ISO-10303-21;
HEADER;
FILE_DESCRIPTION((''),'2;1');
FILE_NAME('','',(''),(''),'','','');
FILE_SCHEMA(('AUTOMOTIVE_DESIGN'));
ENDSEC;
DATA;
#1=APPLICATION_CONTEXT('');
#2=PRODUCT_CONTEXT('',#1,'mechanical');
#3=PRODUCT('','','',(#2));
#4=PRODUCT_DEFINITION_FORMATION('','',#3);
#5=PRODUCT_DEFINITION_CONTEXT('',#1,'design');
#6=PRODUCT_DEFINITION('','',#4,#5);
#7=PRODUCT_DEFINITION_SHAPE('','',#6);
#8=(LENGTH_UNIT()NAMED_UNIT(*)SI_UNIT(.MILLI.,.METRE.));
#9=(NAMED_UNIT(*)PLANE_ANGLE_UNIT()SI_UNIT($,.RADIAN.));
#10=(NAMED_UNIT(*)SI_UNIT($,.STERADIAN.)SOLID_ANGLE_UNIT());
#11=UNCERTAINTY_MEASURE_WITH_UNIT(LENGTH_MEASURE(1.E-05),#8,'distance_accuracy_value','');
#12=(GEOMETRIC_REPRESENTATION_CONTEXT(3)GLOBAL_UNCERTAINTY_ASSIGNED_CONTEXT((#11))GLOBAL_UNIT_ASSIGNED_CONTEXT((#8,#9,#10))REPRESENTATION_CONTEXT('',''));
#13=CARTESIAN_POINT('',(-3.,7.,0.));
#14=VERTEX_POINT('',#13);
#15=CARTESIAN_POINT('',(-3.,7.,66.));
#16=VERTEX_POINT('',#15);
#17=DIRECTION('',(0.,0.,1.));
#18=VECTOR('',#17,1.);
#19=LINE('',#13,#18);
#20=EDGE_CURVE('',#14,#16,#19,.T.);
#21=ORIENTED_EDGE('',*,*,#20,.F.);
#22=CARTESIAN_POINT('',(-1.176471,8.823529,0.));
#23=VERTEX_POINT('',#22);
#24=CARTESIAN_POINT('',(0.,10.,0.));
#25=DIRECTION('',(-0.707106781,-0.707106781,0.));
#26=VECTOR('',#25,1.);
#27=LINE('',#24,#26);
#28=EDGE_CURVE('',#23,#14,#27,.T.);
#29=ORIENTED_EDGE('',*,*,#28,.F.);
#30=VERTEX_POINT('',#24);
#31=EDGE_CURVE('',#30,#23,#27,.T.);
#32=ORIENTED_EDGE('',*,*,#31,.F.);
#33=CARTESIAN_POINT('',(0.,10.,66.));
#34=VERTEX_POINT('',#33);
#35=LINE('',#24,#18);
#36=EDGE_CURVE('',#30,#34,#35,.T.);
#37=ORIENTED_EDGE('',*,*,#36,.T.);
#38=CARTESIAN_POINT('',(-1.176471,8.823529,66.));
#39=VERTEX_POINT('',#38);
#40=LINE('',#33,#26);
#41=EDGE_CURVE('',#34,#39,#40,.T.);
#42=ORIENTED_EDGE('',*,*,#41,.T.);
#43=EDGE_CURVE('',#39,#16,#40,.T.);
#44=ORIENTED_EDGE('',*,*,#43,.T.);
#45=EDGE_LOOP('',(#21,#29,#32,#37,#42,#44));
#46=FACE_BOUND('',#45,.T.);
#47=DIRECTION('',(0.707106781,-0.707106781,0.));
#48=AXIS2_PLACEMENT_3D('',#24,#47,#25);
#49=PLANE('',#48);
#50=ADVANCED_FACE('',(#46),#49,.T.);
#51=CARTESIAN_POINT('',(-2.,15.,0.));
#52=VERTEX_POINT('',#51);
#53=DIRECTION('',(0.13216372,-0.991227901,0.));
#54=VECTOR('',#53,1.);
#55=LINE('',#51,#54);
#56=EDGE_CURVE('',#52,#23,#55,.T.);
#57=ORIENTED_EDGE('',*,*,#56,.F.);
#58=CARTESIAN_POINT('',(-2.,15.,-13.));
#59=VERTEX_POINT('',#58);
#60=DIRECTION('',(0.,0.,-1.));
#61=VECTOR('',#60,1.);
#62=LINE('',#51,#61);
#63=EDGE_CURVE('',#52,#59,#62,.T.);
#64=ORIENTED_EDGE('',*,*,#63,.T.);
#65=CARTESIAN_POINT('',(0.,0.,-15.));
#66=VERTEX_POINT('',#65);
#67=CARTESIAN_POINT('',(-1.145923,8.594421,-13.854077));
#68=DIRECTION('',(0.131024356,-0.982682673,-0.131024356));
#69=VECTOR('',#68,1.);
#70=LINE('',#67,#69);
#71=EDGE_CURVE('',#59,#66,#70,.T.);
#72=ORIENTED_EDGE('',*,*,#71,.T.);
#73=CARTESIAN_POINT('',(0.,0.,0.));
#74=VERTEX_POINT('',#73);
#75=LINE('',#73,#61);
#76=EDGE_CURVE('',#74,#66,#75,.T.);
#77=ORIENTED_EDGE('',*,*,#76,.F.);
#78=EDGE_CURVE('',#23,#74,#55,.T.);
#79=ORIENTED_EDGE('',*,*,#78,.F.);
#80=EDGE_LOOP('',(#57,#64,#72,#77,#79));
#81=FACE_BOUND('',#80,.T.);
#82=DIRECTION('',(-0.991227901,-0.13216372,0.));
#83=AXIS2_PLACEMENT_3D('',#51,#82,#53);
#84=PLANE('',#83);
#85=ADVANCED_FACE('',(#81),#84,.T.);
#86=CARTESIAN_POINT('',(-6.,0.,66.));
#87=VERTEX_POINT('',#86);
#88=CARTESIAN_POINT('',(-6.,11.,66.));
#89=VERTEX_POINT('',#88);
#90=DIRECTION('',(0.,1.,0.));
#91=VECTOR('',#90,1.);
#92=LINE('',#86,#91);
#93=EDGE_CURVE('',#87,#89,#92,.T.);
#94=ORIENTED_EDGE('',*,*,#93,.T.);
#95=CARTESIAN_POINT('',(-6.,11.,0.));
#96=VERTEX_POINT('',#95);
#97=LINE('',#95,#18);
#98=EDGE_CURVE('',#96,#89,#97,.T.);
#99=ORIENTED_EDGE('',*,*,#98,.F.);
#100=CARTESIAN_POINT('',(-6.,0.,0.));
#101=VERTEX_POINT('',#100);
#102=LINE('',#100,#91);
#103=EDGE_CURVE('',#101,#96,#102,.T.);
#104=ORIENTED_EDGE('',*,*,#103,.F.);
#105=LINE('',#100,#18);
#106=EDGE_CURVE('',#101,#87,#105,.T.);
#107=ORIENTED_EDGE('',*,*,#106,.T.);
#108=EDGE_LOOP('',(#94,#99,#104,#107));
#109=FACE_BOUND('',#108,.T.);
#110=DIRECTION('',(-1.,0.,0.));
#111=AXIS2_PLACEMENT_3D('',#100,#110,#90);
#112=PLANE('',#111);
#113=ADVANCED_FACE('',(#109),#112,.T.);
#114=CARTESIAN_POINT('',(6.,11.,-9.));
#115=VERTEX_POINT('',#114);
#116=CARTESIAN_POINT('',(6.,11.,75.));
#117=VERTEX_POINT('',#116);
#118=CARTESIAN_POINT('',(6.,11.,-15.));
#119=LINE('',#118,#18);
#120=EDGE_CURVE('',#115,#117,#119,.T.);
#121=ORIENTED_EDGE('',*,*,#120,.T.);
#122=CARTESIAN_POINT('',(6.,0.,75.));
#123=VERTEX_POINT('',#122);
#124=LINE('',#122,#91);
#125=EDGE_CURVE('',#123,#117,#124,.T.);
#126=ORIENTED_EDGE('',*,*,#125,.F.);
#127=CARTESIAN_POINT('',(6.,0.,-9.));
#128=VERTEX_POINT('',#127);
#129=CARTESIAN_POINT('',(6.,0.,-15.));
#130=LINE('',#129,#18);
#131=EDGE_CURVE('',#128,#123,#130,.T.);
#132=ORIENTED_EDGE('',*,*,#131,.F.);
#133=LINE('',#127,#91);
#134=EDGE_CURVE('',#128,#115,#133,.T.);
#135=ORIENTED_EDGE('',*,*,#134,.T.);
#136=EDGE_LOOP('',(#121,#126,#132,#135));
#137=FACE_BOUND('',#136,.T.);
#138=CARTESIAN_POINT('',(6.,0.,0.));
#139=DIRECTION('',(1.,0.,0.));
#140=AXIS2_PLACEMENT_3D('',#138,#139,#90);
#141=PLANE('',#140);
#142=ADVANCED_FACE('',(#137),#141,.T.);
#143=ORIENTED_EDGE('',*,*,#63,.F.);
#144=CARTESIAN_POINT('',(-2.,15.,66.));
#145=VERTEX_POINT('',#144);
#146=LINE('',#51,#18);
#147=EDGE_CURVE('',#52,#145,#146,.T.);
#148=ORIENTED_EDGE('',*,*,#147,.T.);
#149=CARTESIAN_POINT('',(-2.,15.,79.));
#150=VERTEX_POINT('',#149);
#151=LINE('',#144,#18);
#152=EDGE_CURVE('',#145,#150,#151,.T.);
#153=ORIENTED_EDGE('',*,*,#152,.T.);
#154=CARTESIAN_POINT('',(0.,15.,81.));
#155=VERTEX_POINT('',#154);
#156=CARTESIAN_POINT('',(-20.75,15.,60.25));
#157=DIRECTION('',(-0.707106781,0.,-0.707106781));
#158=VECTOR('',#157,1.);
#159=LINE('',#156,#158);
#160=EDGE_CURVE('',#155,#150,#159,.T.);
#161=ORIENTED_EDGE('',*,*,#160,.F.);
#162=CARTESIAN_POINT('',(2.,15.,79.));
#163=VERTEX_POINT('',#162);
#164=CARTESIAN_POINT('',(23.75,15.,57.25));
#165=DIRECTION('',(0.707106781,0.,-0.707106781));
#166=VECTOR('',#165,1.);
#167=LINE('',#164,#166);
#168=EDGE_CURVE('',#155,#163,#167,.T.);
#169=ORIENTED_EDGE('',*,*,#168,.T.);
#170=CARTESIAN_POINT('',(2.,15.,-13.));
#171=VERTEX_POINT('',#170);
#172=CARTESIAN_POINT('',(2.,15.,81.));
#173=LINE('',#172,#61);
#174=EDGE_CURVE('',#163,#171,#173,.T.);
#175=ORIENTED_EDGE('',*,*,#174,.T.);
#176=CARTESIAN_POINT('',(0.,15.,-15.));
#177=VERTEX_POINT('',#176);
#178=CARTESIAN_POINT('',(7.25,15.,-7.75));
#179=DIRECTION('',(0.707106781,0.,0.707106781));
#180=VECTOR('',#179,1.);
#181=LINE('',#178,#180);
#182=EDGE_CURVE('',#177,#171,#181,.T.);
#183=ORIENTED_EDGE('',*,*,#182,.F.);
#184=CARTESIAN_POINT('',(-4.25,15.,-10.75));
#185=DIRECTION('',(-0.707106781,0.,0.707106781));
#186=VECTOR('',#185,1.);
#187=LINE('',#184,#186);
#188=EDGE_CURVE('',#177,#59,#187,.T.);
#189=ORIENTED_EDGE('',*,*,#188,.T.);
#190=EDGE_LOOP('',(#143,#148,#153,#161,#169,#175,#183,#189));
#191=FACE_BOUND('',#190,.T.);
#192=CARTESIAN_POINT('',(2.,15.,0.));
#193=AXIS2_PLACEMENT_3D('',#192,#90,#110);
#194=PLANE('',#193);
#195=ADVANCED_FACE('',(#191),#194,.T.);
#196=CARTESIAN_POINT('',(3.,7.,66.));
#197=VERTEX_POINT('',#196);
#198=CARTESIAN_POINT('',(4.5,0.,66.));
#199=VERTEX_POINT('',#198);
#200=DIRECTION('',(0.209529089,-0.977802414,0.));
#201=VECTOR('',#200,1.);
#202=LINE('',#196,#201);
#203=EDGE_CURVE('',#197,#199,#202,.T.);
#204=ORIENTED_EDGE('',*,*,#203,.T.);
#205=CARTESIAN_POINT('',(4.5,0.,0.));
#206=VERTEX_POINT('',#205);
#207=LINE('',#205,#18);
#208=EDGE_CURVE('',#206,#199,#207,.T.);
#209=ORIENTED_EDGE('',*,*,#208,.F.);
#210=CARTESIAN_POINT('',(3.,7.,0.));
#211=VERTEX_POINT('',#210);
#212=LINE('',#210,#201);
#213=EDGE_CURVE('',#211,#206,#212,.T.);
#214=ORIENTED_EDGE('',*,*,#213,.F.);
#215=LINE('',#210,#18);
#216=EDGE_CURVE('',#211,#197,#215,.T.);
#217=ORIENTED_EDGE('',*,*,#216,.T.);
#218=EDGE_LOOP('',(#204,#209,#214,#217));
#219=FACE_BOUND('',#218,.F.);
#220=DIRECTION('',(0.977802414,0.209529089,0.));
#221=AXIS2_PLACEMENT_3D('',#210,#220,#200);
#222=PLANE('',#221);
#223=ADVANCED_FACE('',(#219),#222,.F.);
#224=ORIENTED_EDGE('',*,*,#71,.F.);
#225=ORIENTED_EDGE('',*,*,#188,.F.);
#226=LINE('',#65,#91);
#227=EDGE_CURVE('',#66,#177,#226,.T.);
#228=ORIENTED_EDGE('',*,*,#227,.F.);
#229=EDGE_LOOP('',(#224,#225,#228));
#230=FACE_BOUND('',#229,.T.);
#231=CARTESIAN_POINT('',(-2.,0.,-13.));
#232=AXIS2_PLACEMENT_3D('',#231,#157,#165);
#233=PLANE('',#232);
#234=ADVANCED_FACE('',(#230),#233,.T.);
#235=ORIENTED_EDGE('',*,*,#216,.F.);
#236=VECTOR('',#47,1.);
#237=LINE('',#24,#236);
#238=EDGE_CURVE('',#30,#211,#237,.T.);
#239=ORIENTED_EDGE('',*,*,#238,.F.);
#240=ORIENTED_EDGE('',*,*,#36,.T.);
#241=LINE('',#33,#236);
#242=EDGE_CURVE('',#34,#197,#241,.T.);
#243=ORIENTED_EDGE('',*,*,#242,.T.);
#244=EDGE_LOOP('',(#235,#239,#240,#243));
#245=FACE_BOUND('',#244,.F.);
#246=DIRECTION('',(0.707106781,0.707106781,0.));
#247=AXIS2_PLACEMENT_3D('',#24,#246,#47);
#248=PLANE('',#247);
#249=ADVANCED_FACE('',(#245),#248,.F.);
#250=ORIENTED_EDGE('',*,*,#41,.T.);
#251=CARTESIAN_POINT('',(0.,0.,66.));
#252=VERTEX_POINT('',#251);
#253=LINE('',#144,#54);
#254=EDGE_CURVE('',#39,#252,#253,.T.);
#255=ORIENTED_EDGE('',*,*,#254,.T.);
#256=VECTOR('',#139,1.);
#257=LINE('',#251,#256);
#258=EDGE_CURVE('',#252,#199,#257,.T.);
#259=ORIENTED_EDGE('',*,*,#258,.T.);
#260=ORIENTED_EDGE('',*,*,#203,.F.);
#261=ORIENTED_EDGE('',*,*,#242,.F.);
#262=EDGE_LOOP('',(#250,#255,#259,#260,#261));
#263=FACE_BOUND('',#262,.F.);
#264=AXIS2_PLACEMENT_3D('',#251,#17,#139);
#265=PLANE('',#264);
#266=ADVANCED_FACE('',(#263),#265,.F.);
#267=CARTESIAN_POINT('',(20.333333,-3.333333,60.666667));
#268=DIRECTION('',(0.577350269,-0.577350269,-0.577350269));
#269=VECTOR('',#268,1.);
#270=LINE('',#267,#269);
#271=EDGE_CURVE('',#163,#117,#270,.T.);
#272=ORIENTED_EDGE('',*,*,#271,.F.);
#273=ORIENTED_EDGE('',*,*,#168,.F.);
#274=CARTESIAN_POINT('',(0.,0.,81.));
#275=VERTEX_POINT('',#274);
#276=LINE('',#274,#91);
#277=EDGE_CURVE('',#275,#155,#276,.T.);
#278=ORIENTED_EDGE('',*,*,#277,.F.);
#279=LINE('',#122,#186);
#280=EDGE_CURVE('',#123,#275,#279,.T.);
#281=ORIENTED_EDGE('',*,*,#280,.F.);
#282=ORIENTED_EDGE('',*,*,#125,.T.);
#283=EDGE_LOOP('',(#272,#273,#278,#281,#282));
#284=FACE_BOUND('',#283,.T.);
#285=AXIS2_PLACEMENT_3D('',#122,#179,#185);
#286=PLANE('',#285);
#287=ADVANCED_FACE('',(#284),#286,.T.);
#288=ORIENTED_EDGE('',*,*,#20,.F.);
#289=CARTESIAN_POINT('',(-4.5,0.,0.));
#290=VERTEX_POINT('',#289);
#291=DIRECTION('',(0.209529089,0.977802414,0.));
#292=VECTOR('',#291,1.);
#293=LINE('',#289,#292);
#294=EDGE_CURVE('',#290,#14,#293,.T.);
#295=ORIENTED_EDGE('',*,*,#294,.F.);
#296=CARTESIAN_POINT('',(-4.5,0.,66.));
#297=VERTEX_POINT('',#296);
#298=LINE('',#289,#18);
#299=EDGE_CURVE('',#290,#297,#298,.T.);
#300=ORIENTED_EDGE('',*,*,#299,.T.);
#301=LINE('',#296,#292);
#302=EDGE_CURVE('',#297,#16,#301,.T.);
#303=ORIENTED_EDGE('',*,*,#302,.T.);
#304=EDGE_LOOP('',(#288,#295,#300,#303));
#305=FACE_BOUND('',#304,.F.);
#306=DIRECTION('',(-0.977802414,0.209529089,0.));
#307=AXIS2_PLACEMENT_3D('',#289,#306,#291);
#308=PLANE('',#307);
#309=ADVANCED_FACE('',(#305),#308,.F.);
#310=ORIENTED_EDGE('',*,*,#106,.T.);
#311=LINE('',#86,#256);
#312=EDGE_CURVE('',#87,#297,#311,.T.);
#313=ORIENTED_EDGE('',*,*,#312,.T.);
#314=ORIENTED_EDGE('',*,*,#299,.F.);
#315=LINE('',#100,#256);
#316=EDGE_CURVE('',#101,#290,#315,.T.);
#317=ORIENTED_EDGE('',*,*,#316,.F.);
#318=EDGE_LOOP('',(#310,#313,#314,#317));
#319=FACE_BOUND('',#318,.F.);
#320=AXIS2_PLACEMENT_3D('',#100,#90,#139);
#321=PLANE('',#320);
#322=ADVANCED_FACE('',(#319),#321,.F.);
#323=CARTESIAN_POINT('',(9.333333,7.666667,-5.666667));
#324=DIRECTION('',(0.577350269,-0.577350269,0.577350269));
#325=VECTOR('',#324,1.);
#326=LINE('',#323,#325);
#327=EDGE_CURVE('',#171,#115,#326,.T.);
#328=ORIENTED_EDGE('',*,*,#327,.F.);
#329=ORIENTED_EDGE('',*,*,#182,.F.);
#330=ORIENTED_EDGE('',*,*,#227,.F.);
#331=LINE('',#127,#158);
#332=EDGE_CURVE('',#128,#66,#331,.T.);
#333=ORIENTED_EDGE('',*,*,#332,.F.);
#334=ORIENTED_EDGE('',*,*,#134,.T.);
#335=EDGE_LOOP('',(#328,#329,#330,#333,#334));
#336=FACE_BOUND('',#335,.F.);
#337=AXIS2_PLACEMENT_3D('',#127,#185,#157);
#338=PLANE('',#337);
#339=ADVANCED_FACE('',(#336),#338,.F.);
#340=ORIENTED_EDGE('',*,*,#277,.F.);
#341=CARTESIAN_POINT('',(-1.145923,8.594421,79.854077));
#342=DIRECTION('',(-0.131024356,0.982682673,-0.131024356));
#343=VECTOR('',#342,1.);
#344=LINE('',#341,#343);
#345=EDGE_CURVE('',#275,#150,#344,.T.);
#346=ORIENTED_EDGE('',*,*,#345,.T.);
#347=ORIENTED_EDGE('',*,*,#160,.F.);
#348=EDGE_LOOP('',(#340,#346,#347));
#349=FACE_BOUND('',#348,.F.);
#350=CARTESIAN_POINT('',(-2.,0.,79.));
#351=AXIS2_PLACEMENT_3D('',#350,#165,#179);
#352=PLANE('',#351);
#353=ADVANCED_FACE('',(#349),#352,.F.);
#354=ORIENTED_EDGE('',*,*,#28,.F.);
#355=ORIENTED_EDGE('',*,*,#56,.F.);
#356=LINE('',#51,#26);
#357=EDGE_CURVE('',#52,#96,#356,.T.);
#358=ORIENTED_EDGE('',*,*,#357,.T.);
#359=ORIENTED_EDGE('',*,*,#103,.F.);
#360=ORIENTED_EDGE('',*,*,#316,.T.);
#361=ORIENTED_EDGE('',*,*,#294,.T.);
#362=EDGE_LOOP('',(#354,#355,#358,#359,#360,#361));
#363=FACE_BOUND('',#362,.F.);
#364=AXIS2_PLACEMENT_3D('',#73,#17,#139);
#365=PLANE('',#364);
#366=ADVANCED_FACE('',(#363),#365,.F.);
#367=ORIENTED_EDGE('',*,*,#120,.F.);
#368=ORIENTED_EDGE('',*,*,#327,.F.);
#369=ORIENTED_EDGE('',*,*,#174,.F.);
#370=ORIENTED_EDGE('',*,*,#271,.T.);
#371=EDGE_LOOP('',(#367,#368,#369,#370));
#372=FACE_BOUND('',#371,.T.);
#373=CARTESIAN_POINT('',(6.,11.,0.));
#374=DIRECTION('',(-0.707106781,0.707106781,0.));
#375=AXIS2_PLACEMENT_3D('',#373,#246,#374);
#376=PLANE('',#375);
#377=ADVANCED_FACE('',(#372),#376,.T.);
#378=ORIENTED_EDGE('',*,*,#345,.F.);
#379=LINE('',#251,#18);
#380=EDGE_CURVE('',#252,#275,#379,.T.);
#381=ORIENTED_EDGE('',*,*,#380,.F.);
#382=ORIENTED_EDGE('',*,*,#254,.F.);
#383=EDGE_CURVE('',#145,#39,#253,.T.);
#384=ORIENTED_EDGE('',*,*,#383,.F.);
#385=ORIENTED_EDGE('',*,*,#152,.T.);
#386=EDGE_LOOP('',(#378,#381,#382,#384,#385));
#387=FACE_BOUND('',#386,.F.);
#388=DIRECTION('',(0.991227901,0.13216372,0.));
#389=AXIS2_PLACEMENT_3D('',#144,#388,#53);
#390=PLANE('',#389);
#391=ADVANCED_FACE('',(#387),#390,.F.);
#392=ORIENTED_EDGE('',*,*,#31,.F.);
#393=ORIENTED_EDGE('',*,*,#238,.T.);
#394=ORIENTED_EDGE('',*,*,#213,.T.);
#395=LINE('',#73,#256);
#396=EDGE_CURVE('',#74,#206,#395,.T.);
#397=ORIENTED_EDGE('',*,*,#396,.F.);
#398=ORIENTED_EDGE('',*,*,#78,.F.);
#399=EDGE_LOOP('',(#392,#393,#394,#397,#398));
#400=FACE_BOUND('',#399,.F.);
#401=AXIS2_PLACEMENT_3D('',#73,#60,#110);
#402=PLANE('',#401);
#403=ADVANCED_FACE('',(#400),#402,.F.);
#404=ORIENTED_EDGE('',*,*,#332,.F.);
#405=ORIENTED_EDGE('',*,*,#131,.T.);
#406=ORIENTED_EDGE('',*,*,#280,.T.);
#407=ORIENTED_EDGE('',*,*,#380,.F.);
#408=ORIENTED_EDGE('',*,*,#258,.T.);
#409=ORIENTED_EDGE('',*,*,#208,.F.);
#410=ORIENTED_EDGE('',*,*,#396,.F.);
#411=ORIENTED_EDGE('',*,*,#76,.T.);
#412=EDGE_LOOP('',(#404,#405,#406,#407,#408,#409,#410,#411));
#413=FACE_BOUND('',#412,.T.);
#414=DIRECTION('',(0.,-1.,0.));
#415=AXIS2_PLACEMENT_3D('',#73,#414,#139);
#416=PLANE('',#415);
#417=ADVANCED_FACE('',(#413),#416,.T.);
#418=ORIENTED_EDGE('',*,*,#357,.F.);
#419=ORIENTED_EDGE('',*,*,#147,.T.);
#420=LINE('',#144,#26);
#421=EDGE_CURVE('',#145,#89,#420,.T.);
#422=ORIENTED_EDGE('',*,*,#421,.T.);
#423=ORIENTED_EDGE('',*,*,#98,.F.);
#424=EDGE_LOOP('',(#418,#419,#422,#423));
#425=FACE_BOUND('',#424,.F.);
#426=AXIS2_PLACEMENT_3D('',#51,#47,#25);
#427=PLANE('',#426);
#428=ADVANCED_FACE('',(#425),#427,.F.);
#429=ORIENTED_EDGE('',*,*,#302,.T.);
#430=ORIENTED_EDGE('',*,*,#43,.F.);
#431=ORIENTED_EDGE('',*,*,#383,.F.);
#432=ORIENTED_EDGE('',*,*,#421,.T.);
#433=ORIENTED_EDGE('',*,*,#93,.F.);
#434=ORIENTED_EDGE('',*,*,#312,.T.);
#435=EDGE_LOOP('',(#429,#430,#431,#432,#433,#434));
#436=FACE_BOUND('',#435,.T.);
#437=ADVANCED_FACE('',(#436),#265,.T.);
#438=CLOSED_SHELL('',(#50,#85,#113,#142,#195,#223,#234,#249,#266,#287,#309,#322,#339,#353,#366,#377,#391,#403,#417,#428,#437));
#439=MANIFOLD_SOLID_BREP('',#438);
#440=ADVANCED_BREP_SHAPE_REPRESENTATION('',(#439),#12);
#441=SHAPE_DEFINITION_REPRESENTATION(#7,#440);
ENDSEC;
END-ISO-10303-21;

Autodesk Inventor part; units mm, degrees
ref_plane "YZ Plane" through (0, 0, 0) normal (1, 0, 0) x (0, 1, 0)
ref_plane "XZ Plane" through (0, 0, 0) normal (0, 1, 0) x (-1, 0, 0)
ref_plane "XY Plane" through (0, 0, 0) normal (0, 0, 1) x (1, 0, 0)
sketch "Sketch1" plane through (0, 0, 0) normal (0, 0, 1) x (1, 0, 0)
  line L0 (6, 0) -> (6, 11)
  line L1 (0, 15) -> (2, 15)
  line L2 (2, 15) -> (6, 11)
  line L3 (0, 10) -> (3, 7)
  line L4 (-6, 0) -> (-6, 11)
  line L5 (0, 15) -> (-2, 15)
  line L6 (-2, 15) -> (-6, 11)
  line L7 (0, 10) -> (-3, 7)
  line L8 (-4.5, 0) -> (-3, 7)
  line L9 (3, 7) -> (4.5, 0)
  line L10 (-6, 0) -> (-4.5, 0)
  line L11 (4.5, 0) -> (6, 0)
  point P0 (0, 0)
  dimension "d2" = 11
  dimension "d4" = 2
  dimension "d5" = 10
extrude "Extrusion1" add sketch "Sketch1" along normal blind 66
sketch "Sketch2" plane through (0, 0, 66) normal (0, 0, 1) x (1, 0, 0)
  line L0 (2, 15) -> (-2, 15) projected
  line L1 (0, 15) -> (2, 15)
  line L2 (6, 11) -> (2, 15) projected
  line L3 (4.5, 0) -> (6, 0) projected
  line L4 (0, 0) -> (6, 0)
  line L5 (6, 0) -> (6, 11) projected
  line L6 (6, 0) -> (6, 11)
  line L7 (6, 11) -> (2, 15)
  line L8 (0, 15) -> (-2, 15)
  line L9 (-2, 15) -> (0, 0)
extrude "Extrusion2" add sketch "Sketch2" along normal blind 15
sketch "Sketch5" plane through (0, 0, 0) normal (0, 0, -1) x (-1, 0, 0)
  line L0 (0, 0) -> (-6, 0) projected
  line L1 (-6, 0) -> (-6, 11) projected
  line L2 (-6, 11) -> (-2, 15) projected
  line L3 (-2, 15) -> (2, 15) projected
  line L4 (2, 15) -> (0, 0) projected
extrude "Extrusion4" add sketch "Sketch5" along normal blind 15
sketch "Sketch6" plane through (0, 0, 66) normal (0, -1, 0) x (1, 0, 0)
  line L0 (0, -66) -> (0, -81) projected
  line L1 (6, -81) -> (6, 15) projected
  line L2 (0, -81) -> (6, -81)
  line L3 (6, -81) -> (6, -75)
  line L4 (6, -75) -> (0, -81)
  line L5 (-2, -81) -> (2, -81) projected
  line L6 (0, -81) -> (-2, -81)
  line L7 (-2, -81) -> (-2, -79)
  line L8 (-2, -66) -> (-2, -81) projected
  line L9 (-2, -79) -> (0, -81)
  line L10 (2, 15) -> (-2, 15) projected
  line L11 (6, 15) -> (2, 15) projected
  line L12 (0, 15) -> (6, 15)
  line L13 (6, 15) -> (6, 9)
  line L14 (0, 0) -> (0, 15) projected
  line L15 (6, 9) -> (0, 15)
  line L16 (0, 15) -> (-2, 15)
  line L17 (-2, 0) -> (-2, 15) projected
  line L18 (-2, 15) -> (-2, 13)
  line L19 (-2, 13) -> (0, 15)
  dimension "d16" = 6
  dimension "d17" = 2
  dimension "d18" = 6
extrude "Extrusion5" cut sketch "Sketch6" against normal blind 37.3875
properties part number "outside-join-2"
